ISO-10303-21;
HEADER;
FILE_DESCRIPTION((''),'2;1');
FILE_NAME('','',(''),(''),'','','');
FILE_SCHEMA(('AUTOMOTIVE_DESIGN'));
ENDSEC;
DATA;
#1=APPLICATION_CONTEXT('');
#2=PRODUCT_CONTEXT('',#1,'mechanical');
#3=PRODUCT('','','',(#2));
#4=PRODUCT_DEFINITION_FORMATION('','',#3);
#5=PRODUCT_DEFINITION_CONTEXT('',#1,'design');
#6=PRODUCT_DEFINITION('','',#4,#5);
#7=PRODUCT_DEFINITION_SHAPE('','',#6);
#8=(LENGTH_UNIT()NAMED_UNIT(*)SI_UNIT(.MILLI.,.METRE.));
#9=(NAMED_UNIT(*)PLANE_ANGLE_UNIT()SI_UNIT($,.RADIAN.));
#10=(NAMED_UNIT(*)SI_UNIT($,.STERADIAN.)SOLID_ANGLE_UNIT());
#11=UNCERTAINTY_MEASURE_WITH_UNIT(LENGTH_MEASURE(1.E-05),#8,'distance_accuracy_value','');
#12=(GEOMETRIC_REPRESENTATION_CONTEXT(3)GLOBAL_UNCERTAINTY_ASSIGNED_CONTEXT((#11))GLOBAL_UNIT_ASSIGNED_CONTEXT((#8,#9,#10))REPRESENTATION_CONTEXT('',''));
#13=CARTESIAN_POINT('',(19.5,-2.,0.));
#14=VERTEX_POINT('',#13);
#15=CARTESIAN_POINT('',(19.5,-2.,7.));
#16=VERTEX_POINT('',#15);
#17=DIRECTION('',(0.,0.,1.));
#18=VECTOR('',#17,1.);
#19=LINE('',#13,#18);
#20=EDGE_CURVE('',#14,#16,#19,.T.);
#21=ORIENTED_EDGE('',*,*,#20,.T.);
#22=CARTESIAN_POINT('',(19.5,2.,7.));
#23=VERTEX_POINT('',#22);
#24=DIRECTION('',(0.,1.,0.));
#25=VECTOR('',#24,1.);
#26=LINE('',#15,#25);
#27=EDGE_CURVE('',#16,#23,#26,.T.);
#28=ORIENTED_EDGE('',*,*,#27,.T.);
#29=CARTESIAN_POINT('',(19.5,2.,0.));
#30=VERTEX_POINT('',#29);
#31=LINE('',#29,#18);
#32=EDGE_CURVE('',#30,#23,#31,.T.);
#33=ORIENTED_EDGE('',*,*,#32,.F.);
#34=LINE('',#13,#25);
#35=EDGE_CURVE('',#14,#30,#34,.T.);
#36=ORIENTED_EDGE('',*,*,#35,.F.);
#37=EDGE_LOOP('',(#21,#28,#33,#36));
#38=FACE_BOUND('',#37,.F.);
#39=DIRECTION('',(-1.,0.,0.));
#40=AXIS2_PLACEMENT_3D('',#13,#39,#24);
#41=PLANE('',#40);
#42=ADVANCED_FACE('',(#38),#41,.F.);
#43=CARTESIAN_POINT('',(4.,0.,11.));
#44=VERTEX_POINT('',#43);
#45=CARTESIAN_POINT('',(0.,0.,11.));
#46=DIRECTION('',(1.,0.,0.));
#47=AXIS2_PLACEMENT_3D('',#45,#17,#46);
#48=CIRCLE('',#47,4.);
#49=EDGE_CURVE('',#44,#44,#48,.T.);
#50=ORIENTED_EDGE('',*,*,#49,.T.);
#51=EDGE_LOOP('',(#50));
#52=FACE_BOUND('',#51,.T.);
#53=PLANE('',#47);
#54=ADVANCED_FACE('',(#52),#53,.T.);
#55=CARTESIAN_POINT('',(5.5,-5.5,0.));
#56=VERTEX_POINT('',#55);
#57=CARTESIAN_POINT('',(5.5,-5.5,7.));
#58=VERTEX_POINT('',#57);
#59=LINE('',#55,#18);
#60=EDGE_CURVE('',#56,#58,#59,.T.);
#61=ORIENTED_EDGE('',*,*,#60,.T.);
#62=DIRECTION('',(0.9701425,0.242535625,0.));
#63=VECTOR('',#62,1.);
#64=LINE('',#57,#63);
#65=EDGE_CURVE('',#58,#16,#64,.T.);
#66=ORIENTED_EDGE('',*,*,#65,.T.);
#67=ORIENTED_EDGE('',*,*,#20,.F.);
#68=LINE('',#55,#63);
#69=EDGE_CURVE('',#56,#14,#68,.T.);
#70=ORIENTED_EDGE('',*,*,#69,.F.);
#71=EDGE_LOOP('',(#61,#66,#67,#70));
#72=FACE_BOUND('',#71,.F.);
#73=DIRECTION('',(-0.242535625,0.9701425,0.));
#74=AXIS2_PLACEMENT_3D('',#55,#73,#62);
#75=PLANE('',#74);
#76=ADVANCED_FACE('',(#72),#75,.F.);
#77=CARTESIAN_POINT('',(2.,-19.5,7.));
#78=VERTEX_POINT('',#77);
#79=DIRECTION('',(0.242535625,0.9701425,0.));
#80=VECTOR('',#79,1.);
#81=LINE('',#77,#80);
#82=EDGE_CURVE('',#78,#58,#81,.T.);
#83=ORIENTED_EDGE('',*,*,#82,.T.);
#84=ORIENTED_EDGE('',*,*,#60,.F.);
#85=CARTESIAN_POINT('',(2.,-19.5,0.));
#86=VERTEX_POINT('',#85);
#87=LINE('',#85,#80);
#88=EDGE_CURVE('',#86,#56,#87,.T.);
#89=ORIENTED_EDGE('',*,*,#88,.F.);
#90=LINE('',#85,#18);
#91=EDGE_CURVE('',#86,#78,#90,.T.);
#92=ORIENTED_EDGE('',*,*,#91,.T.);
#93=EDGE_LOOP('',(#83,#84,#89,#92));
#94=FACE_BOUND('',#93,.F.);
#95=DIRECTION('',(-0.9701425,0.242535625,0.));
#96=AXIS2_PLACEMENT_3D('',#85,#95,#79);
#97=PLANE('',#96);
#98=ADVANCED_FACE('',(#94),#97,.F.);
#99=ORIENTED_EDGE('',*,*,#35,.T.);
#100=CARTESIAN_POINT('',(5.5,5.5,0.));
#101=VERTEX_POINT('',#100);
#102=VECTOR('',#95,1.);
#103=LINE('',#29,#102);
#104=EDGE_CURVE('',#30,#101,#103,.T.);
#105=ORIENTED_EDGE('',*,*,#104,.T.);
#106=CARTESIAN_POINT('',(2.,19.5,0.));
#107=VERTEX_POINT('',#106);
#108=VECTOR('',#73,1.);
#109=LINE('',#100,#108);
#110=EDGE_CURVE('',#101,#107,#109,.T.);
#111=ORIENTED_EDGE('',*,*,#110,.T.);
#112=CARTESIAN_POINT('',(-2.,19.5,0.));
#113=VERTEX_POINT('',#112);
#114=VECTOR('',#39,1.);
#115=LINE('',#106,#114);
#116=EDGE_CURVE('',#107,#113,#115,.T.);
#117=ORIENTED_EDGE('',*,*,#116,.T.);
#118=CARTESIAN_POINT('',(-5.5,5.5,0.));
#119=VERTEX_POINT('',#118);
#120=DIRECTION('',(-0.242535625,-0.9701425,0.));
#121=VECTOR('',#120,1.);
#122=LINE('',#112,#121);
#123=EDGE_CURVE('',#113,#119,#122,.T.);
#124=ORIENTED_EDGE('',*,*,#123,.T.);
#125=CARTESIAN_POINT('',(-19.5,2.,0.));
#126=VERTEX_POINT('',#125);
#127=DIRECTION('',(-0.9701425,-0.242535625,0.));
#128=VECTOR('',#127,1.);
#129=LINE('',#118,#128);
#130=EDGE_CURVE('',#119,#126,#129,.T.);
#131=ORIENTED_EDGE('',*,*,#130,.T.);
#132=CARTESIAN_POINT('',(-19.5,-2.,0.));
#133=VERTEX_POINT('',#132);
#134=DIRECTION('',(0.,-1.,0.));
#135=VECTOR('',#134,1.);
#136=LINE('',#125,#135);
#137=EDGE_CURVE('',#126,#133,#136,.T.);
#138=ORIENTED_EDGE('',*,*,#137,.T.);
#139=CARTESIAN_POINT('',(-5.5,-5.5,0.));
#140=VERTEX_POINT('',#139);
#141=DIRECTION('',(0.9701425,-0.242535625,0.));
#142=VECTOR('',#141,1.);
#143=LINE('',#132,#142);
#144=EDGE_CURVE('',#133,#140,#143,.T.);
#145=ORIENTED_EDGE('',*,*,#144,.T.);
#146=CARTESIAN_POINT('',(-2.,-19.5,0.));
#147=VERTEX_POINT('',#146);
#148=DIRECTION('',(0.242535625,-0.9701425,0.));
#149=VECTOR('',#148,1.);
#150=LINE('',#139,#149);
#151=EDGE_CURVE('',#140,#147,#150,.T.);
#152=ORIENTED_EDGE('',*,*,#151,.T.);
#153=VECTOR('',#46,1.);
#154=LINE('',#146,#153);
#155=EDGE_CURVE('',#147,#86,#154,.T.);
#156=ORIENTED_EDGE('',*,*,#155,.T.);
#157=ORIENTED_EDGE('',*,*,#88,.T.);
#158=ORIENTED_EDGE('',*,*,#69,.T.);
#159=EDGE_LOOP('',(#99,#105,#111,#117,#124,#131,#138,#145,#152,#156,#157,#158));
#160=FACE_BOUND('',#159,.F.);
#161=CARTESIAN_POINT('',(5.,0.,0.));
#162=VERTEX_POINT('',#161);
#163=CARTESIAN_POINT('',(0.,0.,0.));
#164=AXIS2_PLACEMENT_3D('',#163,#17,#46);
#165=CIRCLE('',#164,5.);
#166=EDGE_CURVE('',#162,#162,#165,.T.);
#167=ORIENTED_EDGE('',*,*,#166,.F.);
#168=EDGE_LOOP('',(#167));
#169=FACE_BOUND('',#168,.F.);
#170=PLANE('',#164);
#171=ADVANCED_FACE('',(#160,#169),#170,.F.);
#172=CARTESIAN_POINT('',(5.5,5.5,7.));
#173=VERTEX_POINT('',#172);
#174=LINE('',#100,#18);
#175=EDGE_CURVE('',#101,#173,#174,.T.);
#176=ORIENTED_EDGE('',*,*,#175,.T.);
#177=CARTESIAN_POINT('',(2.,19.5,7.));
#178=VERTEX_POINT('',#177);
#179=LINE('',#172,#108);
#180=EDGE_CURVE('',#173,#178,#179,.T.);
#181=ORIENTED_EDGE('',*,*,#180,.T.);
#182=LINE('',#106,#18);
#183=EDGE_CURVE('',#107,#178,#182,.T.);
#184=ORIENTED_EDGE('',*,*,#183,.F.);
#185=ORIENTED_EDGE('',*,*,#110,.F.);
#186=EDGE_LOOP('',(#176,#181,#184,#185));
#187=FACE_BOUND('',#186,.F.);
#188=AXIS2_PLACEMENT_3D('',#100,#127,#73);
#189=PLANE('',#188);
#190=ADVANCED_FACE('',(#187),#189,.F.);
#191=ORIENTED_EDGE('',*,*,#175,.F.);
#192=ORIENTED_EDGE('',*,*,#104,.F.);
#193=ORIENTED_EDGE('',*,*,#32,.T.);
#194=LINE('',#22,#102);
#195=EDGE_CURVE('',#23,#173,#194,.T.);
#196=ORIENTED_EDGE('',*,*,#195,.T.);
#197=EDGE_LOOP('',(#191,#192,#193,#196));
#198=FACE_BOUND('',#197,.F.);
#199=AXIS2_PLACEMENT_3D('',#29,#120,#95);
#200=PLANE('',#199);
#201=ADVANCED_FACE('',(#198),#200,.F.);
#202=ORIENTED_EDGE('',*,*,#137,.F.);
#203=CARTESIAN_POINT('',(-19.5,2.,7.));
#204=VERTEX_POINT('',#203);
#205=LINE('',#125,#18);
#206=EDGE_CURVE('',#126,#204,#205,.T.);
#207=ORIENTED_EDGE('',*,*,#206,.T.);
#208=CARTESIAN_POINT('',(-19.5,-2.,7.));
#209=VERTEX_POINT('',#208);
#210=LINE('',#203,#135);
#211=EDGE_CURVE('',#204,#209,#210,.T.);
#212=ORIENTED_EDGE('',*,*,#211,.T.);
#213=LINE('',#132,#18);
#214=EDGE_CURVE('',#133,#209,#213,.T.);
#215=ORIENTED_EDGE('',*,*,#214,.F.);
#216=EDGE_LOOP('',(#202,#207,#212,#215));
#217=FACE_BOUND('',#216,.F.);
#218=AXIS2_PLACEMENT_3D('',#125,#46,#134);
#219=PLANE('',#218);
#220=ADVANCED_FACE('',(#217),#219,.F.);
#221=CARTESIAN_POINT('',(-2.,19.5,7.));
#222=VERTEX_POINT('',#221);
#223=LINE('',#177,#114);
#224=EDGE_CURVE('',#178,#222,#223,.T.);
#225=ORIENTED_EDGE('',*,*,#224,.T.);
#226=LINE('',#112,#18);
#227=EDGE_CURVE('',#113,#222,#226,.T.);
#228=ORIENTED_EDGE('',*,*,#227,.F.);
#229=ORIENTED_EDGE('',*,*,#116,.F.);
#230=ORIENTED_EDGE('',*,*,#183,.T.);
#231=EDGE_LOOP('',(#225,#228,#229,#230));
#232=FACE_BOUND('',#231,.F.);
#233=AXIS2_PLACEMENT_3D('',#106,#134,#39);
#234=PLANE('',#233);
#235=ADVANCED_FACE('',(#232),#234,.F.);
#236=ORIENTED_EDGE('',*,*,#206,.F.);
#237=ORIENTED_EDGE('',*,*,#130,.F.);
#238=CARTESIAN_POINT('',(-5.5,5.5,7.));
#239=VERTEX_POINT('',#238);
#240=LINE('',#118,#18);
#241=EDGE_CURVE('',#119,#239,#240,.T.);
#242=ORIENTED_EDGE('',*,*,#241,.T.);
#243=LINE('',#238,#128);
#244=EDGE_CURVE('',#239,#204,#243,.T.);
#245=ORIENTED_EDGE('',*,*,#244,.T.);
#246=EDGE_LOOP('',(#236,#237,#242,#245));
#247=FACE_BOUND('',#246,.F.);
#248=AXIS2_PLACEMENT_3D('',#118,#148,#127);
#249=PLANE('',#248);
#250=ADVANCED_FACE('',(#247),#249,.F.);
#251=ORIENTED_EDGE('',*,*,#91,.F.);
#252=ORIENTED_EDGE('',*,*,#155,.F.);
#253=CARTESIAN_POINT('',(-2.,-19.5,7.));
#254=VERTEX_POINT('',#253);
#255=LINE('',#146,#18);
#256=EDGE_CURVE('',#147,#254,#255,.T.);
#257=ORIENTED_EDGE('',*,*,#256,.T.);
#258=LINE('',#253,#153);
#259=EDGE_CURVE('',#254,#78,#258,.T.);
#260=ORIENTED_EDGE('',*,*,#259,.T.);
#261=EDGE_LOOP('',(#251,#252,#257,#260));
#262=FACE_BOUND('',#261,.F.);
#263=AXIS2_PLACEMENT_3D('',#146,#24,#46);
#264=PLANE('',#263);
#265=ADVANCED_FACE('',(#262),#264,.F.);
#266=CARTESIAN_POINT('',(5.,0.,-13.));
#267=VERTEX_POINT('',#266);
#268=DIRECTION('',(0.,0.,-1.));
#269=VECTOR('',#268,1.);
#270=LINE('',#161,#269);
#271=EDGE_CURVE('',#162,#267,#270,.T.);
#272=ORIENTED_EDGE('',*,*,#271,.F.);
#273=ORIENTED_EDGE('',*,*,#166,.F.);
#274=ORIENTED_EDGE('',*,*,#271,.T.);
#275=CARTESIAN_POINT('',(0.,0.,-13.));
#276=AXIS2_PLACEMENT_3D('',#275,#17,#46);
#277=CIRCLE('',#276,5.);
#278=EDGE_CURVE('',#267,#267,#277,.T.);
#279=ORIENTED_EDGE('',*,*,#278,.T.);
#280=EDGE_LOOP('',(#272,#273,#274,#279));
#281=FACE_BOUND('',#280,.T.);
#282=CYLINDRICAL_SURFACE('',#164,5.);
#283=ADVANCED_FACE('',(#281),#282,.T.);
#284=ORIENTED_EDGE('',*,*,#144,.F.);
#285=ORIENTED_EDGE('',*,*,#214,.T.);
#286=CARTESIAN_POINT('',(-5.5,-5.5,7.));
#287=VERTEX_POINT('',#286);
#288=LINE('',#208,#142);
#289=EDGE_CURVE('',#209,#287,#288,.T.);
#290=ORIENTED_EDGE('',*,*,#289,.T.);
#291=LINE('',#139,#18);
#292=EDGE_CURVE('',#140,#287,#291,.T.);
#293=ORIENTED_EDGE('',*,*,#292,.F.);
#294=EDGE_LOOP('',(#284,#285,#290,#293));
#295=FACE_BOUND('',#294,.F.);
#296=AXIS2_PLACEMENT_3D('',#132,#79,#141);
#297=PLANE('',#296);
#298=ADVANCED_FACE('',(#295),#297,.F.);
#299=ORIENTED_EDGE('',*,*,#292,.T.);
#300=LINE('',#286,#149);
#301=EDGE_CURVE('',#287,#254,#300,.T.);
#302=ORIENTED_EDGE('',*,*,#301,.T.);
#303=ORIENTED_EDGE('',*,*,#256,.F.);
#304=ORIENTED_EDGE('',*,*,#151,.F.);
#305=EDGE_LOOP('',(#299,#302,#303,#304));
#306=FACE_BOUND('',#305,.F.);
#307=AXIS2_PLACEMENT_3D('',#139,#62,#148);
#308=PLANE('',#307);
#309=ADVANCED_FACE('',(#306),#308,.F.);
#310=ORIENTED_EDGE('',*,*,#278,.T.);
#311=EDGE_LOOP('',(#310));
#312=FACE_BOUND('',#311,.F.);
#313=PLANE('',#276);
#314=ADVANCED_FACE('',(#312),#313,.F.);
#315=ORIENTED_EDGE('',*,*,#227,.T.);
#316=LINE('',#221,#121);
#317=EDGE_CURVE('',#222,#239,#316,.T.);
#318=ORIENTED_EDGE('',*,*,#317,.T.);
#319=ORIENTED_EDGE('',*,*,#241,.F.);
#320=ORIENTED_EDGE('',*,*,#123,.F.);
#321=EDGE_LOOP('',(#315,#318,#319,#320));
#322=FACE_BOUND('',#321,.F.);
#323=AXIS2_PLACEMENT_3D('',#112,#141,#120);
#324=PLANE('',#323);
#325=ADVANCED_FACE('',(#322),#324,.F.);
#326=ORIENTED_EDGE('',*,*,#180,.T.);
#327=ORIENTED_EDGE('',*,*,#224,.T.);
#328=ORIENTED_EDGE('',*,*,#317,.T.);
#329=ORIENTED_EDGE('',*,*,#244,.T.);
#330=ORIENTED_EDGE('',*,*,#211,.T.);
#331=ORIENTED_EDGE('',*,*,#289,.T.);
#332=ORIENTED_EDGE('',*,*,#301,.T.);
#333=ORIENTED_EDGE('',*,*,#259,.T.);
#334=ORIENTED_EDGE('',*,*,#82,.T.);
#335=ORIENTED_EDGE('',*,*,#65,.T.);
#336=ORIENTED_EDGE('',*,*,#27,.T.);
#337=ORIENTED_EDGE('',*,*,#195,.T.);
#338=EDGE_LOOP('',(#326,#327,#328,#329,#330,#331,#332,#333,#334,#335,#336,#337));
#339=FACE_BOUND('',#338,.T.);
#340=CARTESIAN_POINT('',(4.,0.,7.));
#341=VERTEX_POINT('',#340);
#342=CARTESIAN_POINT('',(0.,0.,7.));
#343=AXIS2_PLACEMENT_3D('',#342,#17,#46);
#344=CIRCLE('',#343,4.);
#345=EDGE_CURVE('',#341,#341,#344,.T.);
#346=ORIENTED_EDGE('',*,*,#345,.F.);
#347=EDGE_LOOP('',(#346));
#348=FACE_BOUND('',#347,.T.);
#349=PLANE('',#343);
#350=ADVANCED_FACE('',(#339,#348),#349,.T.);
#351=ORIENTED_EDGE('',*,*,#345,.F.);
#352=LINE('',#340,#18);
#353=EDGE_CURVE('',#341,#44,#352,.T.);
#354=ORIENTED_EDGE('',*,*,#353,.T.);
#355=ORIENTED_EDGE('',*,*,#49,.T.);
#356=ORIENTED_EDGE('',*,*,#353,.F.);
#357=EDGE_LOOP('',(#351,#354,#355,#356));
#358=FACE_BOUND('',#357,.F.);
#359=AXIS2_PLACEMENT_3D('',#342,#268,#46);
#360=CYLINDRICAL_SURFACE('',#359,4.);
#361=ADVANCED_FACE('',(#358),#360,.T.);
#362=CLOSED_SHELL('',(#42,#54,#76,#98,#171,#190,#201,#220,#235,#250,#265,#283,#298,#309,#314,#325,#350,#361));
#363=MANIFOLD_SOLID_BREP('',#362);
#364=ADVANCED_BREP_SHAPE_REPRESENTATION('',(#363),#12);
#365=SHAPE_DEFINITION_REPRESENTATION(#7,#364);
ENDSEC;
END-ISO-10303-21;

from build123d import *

# Parameters (mm, degrees)
F0_W     = 11
F0_H     = 11
F0_R     = 5
F1_DEPTH = 7
F2_DEPTH = 13
F3_R     = 4
F4_DEPTH = 4


with BuildPart() as f1:
    # F0 (on Top) → F1 (new body)
    with BuildSketch(Plane.XY):
        Rectangle(F0_W, F0_H)
        Circle(F0_R, mode=Mode.SUBTRACT)
        Circle(F0_R)
        Polygon((2, -19.5), (5.5, -5.5), (-5.5, -5.5), (-2, -19.5), align=None)
        Polygon((5.5, 5.5), (5.5, -5.5), (19.5, -2), (19.5, 2), align=None)
        Polygon((-19.5, -2), (-5.5, -5.5), (-5.5, 5.5), (-19.5, 2), align=None)
        Polygon((-5.5, 5.5), (5.5, 5.5), (2, 19.5), (-2, 19.5), align=None)
    extrude(amount=F1_DEPTH)

    # F0 (on Top) → F2 (join)
    with BuildSketch(Plane.XY):
        Circle(F0_R)
    extrude(amount=-F2_DEPTH)

    # F3 (on face) → F4 (join)
    with BuildSketch(Plane.XY.offset(7)):
        Circle(F3_R)
    extrude(amount=F4_DEPTH)


solid = f1.part
